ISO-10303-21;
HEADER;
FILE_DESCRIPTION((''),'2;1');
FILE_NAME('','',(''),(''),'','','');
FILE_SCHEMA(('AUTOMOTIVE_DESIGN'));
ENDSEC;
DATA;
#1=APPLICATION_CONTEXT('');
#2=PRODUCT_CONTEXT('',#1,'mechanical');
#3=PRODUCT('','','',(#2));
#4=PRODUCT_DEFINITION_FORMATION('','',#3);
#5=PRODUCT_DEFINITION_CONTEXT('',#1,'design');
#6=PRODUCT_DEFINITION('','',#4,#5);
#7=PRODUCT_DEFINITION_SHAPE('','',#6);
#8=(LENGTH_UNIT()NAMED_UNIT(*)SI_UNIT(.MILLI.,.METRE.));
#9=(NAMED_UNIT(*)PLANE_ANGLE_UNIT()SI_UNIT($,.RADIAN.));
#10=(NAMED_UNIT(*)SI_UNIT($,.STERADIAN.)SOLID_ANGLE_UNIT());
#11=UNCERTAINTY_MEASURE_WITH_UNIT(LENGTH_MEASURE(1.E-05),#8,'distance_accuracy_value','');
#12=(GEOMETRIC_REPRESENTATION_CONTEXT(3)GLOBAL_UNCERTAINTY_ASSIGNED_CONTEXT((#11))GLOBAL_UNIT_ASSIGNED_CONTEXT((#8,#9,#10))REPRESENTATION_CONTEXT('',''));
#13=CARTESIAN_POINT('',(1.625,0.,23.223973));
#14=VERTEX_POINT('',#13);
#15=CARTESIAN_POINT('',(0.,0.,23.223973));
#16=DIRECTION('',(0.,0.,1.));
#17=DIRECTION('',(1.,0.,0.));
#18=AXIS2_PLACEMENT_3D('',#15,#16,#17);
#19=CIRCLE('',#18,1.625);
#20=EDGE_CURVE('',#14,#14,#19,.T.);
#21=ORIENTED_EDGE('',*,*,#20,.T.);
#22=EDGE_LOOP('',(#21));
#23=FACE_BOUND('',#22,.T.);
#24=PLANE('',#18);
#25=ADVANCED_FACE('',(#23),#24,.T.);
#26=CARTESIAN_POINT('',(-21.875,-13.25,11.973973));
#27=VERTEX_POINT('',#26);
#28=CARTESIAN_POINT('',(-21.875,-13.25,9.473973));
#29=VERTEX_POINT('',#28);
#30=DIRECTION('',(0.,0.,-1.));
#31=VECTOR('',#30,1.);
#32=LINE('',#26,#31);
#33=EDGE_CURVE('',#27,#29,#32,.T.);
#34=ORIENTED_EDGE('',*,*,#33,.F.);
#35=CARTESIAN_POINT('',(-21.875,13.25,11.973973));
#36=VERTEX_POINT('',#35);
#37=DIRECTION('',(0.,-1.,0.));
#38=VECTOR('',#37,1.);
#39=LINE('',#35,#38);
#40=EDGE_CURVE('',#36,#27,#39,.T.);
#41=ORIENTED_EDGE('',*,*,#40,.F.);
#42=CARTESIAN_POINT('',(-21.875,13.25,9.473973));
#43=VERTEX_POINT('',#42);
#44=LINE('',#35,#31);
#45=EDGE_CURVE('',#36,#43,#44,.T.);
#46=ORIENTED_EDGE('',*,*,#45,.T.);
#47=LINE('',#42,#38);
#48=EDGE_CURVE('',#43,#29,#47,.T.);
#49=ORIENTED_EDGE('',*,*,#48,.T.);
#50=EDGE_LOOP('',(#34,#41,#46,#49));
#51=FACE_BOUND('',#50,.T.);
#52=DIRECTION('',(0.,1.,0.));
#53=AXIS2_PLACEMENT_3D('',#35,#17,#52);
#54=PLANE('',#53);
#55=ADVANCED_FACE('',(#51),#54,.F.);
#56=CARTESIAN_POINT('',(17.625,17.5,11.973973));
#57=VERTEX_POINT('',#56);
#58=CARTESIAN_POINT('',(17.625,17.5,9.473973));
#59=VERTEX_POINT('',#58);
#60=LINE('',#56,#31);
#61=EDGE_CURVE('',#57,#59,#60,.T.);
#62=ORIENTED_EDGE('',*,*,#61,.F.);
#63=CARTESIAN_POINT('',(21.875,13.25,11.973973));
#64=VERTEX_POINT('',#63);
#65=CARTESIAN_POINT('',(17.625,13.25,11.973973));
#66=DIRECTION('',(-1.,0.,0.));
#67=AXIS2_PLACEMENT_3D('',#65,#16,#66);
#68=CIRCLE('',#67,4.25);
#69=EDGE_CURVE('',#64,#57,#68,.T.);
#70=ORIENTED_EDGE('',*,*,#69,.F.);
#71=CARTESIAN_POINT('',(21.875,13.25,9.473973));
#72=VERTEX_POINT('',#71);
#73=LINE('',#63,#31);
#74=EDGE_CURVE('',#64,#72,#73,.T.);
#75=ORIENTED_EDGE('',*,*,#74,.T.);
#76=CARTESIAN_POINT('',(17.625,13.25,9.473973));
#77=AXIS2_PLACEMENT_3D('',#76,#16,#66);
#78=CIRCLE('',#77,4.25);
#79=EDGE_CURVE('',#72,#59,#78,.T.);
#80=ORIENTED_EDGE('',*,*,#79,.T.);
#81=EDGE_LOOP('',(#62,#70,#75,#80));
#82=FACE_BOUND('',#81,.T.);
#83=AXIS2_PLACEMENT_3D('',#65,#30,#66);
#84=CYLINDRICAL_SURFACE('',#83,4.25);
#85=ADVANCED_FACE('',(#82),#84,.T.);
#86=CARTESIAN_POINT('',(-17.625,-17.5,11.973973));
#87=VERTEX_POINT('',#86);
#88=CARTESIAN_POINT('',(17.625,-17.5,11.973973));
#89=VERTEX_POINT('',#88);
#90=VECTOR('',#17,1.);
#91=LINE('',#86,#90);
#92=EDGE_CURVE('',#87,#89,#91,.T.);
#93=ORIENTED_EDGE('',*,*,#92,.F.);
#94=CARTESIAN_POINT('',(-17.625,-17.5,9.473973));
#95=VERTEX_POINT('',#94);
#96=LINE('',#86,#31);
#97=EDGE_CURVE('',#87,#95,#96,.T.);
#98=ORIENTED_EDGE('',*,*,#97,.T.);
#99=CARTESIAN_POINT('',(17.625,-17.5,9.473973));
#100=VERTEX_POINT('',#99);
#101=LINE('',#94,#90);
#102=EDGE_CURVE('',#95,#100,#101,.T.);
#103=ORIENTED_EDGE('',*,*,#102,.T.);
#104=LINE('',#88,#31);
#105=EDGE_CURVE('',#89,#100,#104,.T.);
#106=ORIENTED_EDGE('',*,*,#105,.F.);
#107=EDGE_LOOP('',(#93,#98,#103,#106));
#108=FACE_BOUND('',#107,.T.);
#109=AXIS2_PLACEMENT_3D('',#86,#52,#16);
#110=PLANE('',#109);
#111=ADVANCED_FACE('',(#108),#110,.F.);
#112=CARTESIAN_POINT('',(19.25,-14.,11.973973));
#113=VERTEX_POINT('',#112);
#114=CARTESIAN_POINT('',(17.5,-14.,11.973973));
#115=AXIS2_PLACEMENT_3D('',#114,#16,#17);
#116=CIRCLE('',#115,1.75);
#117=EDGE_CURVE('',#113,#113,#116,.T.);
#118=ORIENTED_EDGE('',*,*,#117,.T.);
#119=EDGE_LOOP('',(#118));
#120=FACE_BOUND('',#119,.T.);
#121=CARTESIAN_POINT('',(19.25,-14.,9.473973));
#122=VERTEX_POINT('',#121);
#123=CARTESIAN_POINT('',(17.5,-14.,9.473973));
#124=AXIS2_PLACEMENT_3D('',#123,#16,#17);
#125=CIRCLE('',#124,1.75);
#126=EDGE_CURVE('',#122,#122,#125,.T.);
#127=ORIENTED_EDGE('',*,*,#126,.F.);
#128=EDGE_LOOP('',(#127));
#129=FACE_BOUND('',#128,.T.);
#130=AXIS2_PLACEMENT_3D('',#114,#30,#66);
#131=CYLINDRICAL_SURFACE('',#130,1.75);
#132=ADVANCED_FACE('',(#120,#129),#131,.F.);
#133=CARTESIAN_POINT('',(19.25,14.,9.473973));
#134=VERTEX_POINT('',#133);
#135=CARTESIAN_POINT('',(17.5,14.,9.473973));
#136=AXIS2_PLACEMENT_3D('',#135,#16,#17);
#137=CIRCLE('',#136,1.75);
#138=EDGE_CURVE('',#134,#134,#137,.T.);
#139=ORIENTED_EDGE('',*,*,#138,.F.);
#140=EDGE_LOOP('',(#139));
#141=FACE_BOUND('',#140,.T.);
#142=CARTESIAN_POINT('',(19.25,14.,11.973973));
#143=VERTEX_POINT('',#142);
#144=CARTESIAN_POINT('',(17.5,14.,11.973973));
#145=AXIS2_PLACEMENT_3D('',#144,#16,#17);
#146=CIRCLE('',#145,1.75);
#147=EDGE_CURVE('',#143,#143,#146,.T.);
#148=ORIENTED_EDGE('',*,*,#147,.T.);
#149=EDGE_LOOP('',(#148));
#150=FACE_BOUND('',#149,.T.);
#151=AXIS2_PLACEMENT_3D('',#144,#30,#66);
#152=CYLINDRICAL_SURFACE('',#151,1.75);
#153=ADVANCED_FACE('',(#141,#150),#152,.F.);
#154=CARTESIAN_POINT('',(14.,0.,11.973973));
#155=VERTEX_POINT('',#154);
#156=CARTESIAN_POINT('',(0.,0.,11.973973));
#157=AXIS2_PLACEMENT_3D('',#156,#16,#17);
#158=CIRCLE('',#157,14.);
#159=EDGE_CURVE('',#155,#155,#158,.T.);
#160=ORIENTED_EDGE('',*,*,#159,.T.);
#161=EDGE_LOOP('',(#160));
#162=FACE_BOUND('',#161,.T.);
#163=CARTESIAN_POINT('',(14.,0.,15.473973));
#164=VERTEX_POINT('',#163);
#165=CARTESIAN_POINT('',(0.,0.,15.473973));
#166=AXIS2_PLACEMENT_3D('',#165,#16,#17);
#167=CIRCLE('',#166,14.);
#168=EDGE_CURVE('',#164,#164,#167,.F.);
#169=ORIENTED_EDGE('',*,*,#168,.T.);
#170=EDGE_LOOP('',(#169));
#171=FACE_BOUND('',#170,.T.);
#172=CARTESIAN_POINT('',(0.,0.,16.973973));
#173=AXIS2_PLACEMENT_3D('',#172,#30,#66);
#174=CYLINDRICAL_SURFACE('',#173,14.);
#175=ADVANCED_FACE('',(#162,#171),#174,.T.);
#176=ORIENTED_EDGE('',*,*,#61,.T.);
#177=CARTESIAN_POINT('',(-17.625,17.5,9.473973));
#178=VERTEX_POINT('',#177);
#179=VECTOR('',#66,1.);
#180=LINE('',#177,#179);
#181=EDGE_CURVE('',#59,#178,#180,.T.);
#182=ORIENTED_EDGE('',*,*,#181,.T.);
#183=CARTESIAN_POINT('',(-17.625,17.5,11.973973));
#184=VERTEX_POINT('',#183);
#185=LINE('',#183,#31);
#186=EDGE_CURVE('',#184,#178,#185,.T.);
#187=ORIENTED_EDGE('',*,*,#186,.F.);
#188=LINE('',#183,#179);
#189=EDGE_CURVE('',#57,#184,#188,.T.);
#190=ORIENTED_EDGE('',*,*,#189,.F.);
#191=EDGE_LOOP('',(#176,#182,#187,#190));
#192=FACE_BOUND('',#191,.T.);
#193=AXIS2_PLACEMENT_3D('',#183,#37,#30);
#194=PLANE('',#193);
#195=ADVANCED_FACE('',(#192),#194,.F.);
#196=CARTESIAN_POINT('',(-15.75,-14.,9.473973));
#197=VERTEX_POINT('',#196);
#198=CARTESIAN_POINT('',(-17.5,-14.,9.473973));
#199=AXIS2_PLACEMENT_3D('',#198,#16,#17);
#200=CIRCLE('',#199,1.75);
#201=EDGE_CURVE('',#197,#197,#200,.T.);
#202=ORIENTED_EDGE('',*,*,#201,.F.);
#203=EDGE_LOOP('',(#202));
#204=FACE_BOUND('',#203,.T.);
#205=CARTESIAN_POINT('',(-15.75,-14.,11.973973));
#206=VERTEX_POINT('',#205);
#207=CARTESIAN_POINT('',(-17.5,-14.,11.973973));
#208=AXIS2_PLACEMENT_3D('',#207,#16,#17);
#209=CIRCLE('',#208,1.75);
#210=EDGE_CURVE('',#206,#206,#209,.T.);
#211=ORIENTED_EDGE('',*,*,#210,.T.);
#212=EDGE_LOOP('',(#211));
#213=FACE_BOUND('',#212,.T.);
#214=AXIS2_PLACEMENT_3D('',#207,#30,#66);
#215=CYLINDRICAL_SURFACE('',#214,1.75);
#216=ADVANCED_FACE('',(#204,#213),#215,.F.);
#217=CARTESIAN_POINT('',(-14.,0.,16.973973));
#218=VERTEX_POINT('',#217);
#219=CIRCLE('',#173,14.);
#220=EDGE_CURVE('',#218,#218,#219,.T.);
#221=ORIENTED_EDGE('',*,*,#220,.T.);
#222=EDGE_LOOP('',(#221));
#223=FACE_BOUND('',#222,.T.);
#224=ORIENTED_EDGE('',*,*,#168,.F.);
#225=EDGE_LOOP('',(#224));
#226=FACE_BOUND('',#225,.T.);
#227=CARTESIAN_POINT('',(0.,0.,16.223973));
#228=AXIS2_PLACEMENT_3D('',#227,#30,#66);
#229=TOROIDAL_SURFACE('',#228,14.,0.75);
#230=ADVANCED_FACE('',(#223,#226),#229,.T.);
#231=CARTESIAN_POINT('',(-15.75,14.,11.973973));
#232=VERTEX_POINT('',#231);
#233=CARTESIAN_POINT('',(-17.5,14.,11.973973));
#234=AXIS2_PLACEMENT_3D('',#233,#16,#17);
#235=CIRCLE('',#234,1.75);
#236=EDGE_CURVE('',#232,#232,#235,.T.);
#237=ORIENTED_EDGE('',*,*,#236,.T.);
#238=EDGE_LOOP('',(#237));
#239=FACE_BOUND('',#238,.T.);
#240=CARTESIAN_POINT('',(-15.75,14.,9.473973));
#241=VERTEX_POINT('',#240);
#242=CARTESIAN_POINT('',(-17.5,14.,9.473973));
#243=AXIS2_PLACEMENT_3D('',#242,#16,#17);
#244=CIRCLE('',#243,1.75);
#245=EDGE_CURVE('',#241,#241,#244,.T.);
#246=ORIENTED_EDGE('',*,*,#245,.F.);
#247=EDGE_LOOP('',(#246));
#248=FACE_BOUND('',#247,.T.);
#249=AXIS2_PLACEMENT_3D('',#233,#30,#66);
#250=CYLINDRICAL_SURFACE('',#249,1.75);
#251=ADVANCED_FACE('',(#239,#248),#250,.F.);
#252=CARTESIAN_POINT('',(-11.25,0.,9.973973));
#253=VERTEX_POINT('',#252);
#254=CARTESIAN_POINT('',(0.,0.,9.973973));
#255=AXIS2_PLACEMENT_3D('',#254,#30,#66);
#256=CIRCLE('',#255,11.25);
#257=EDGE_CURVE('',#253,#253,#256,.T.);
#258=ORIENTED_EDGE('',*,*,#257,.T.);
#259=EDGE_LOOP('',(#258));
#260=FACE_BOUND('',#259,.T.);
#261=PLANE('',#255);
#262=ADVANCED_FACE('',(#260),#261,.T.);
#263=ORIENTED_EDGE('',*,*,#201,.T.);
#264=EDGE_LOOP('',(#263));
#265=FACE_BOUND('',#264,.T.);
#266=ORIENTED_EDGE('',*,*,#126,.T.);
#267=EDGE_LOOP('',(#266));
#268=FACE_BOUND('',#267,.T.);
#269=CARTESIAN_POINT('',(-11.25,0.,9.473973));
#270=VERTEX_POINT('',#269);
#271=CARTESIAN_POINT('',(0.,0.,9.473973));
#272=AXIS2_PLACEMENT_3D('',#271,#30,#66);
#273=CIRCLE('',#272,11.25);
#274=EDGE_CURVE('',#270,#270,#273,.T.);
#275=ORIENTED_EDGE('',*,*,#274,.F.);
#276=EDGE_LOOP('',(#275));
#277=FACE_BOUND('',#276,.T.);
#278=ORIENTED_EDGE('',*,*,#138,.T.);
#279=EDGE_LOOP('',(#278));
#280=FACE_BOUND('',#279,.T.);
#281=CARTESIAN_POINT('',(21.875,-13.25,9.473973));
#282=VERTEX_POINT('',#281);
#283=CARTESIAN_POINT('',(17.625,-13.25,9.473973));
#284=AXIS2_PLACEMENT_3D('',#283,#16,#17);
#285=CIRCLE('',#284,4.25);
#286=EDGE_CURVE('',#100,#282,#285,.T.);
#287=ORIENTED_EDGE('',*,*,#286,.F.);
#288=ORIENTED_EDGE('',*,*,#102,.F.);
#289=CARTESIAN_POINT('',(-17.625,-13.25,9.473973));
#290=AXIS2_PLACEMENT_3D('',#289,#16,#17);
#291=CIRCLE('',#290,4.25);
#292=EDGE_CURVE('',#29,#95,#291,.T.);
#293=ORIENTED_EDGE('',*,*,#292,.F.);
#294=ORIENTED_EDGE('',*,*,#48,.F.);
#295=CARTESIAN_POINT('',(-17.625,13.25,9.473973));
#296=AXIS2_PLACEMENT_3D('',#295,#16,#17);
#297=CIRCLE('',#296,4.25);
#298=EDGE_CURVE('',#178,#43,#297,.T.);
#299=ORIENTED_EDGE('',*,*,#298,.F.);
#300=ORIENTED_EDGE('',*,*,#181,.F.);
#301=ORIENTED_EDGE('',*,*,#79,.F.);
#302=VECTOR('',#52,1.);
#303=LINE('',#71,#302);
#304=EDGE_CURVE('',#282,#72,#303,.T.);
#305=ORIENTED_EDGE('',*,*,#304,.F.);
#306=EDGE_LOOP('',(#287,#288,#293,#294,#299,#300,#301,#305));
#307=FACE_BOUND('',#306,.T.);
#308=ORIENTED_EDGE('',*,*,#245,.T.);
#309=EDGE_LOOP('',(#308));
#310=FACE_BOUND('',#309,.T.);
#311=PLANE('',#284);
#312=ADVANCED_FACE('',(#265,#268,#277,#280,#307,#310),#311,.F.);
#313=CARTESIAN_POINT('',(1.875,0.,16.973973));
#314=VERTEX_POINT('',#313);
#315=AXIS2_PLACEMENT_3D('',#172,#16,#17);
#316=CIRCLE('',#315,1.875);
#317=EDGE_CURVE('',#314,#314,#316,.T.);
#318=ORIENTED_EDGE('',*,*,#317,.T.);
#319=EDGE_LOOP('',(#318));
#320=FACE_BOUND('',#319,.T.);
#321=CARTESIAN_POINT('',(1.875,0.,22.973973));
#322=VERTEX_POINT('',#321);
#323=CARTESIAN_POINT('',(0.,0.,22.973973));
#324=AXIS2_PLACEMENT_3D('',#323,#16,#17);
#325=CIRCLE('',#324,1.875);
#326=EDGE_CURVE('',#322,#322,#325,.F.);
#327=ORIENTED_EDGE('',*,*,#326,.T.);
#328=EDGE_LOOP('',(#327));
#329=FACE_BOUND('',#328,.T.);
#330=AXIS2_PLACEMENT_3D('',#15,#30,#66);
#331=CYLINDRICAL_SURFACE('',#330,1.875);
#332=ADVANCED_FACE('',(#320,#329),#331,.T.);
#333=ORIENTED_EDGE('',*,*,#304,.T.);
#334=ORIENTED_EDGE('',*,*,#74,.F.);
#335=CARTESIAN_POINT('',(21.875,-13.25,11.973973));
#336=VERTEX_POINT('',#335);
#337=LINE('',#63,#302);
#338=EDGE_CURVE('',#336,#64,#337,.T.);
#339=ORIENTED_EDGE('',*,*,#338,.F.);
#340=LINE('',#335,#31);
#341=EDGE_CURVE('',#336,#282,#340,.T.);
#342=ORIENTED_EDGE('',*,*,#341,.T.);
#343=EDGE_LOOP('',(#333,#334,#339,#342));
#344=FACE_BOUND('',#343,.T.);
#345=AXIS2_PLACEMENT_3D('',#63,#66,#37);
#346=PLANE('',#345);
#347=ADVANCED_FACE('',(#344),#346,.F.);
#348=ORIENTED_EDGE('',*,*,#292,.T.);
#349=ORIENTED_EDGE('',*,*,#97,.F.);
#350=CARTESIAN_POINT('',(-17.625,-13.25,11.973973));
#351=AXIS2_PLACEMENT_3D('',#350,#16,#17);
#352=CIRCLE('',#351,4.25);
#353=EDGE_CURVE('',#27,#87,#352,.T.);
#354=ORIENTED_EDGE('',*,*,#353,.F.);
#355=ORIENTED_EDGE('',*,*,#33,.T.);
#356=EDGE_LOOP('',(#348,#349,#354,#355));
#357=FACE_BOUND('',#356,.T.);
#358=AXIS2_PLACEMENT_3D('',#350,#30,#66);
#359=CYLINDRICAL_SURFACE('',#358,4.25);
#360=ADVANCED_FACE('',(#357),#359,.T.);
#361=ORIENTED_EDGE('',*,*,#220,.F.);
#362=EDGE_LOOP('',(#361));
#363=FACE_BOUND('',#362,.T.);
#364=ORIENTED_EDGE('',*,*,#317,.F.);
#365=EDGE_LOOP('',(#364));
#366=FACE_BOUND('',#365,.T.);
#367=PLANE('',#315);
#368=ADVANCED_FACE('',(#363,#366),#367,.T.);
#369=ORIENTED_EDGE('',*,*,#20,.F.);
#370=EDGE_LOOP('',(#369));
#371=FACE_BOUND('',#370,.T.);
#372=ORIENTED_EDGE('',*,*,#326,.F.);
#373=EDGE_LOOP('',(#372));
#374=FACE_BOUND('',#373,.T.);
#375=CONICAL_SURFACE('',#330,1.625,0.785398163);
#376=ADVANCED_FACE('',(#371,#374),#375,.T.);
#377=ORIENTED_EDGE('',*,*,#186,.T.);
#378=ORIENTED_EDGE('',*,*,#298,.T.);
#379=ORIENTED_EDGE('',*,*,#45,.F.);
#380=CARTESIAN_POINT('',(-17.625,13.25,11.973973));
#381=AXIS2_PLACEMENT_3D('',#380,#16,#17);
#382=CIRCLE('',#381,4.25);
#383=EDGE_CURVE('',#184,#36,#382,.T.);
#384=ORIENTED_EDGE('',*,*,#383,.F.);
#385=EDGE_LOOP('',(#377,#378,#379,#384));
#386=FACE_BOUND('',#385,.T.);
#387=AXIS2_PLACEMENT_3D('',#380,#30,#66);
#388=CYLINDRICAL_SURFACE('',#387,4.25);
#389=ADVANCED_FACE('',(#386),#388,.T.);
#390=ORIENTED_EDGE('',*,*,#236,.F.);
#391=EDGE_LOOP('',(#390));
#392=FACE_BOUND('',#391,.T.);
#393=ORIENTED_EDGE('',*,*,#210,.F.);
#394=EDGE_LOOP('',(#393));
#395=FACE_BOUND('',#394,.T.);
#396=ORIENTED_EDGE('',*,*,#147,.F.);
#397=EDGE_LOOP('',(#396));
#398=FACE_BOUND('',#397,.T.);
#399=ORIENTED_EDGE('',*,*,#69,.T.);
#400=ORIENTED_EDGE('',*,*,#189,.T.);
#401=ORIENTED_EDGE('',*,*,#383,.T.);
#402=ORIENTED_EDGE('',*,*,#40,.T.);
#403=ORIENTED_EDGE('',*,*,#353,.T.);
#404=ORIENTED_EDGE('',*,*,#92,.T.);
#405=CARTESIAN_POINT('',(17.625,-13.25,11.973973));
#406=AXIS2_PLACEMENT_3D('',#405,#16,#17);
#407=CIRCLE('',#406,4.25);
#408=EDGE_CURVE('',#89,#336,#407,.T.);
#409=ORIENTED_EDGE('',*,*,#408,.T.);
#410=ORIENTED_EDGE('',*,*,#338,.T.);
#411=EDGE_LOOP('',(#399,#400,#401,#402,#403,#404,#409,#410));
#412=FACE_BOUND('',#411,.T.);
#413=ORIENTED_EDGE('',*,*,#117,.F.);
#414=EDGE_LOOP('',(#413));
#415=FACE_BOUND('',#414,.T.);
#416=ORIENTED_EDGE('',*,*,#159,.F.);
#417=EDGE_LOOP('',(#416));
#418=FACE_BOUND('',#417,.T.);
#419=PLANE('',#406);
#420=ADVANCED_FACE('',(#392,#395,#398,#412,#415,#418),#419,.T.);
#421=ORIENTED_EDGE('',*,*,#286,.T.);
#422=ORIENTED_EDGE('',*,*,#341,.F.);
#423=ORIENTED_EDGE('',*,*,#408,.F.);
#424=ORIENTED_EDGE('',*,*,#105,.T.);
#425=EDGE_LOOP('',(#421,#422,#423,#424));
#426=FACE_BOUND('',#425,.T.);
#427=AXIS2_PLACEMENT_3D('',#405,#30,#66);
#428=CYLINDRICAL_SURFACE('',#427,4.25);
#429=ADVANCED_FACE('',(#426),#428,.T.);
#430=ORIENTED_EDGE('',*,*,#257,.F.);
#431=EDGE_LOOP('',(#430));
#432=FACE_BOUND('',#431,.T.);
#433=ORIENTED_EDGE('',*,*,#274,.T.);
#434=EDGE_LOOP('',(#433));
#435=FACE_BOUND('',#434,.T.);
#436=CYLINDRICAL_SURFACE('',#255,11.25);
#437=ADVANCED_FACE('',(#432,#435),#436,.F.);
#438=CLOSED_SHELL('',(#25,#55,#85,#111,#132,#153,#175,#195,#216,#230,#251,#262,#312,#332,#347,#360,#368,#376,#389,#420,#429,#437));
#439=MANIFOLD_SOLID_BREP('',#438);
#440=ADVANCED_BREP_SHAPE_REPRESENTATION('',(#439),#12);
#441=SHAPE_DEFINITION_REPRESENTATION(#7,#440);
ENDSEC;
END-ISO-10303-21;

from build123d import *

# Parameters (mm, degrees)
SKETCH1_R           = 7
BOSS_EXTRUDE1_DEPTH = 10
SKETCH2_R           = 56
BOSS_EXTRUDE2_DEPTH = 20
SKETCH3_R           = 3
SKETCH4_R           = 7.5
BOSS_EXTRUDE3_DEPTH = 25
CHAMFER1_SIZE       = 1
SKETCH5_R           = 45
CUT_EXTRUDE1_DEPTH  = 2
SCALE1_SCALE        = 0.25


with BuildPart() as part:
    # Sketch1 → Boss-Extrude1 (new body)
    with BuildSketch(Plane.XY):
        with BuildLine():
            Line((-70.5, 70), (70.5, 70))
            ThreePointArc((70.5, 70), (82.52081528, 65.02081528), (87.5, 53))
            Line((87.5, 53), (87.5, -53))
            ThreePointArc((87.5, -53), (82.52081528, -65.02081528), (70.5, -70))
            Line((70.5, -70), (-70.5, -70))
            ThreePointArc((-70.5, -70), (-82.52081528, -65.02081528), (-87.5, -53))
            Line((-87.5, -53), (-87.5, 53))
            ThreePointArc((-87.5, 53), (-82.52081528, 65.02081528), (-70.5, 70))
        make_face()
        with Locations((-70, 56)):
            Circle(SKETCH1_R, mode=Mode.SUBTRACT)
        with Locations((-70, -56)):
            Circle(SKETCH1_R, mode=Mode.SUBTRACT)
        with Locations((70, -56)):
            Circle(SKETCH1_R, mode=Mode.SUBTRACT)
        with Locations((70, 56)):
            Circle(SKETCH1_R, mode=Mode.SUBTRACT)
    extrude(amount=BOSS_EXTRUDE1_DEPTH)

    # Sketch2 → Boss-Extrude2 (add)
    with BuildSketch(Plane.XY.offset(10)):
        Circle(SKETCH2_R)
    extrude(amount=BOSS_EXTRUDE2_DEPTH)

    # Sketch3 → Revolve1 (revolve)
    with BuildSketch(Plane(origin=(0, 0, 0), x_dir=(1, 0, 0), z_dir=(0, 1, 0)), mode=Mode.PRIVATE) as revolve1_sk:
        with Locations((-56, -27)):
            Circle(SKETCH3_R)
    revolve(revolve1_sk.sketch.rotate(Axis((0, 0, 0), (0, 0, 1)), 180), axis=Axis((0, 0, 0), (0, 0, 1)))

    # Sketch4 → Boss-Extrude3 (add)
    with BuildSketch(Plane.XY.offset(30)):
        Circle(SKETCH4_R)
    extrude(amount=BOSS_EXTRUDE3_DEPTH)

    # Chamfer1
    chamfer1_edges = [part.edges().sort_by_distance(p)[0] for p in [
        (-7.5, 0, 55),
    ]]
    chamfer(chamfer1_edges, length=CHAMFER1_SIZE)

    # Sketch5 → Cut-Extrude1 (cut)
    with BuildSketch(Plane(origin=(0, 0, 0), x_dir=(-1, 0, 0), z_dir=(0, 0, -1))):
        Circle(SKETCH5_R)
    extrude(amount=-CUT_EXTRUDE1_DEPTH, mode=Mode.SUBTRACT)


with BuildPart() as part_1:
    # Scale1: scaled about (0, 0, 12.631964086)
    add(part.part.scale(SCALE1_SCALE).moved(Location((0, 0, 9.473973065))))


solid = part_1.part
